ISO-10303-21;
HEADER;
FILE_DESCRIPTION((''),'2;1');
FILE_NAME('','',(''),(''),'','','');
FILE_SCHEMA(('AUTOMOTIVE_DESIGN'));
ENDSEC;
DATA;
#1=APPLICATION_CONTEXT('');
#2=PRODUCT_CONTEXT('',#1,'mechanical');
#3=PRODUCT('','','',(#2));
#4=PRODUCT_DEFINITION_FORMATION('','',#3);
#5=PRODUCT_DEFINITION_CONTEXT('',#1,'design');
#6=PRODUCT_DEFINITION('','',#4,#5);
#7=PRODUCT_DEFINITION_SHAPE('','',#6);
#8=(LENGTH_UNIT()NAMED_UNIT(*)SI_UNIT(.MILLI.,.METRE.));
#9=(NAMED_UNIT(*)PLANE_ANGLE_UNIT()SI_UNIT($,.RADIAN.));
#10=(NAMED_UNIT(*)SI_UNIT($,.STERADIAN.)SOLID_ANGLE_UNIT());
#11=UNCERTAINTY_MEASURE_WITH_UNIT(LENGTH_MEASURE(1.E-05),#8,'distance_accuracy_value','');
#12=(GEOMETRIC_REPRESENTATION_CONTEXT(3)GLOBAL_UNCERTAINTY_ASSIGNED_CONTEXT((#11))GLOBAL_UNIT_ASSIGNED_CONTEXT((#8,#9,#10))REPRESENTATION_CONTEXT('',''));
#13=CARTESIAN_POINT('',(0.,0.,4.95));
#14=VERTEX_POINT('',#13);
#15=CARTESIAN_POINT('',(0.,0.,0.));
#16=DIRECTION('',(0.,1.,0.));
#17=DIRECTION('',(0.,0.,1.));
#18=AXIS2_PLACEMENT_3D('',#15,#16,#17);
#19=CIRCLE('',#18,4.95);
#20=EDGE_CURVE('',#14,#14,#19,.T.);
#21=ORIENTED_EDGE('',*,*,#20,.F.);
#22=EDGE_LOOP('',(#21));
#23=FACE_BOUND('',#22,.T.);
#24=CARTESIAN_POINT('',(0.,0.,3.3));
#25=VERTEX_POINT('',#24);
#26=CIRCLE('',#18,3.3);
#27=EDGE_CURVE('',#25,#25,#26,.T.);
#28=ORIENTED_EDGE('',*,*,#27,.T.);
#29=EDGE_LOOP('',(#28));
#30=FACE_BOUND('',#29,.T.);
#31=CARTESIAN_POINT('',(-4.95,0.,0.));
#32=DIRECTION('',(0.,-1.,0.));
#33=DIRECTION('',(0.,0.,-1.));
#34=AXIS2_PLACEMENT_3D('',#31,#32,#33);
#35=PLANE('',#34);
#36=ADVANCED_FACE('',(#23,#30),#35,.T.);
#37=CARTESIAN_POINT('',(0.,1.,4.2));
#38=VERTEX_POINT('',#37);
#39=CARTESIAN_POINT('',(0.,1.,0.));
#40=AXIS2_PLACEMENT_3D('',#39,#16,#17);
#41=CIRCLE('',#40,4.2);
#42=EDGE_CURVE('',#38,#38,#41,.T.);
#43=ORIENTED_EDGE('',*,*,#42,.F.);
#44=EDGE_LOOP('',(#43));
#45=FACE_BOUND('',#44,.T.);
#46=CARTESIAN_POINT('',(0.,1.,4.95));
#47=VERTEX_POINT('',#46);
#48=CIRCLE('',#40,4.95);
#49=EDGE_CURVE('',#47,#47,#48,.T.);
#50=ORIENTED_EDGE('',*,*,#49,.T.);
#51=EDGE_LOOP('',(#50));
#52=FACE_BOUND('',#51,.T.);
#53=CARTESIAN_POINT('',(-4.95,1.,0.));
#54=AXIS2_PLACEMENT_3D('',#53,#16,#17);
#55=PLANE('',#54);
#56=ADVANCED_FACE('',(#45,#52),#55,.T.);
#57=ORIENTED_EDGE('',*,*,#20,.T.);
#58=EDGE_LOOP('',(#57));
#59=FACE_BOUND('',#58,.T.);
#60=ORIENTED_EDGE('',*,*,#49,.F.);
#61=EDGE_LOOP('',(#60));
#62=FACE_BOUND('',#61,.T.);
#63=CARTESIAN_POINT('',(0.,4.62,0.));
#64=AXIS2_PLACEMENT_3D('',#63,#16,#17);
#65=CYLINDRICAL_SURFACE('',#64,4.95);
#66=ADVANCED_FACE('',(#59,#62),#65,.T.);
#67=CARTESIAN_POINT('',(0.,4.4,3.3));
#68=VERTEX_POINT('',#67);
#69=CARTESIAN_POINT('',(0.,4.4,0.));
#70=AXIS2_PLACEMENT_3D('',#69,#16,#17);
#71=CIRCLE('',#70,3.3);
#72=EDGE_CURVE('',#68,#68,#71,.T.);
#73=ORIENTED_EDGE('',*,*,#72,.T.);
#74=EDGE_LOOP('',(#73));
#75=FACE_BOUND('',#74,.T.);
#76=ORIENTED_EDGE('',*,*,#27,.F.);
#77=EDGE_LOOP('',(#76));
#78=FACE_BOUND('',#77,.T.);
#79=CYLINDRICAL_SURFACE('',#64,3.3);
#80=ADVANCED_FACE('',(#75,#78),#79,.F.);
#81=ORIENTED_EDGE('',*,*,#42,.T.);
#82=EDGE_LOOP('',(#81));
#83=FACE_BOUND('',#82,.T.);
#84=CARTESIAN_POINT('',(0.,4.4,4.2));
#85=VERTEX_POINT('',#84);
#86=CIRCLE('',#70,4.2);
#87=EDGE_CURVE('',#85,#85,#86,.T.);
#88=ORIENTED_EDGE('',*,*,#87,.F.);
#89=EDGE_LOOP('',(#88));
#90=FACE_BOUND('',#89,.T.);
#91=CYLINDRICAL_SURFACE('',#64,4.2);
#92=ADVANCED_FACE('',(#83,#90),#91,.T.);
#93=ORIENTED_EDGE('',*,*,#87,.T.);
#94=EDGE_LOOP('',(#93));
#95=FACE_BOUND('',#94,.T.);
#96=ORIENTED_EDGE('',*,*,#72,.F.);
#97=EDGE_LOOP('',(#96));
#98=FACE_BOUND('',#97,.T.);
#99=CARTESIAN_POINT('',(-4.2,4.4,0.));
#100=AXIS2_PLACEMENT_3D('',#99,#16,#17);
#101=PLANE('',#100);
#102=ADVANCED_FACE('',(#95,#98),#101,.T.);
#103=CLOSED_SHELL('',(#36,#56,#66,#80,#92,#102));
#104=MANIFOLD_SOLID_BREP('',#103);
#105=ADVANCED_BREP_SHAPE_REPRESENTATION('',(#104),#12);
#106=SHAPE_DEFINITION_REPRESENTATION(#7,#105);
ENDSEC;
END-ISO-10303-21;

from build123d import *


with BuildPart() as part:
    # Sketch1 → Revolve1 (revolve)
    with BuildSketch(Plane.XY):
        Polygon((-4.95, 0), (-3.3, 0), (-3.3, 4.4), (-4.2, 4.4), (-4.2, 1), (-4.95, 1), align=None)
    revolve(axis=Axis((0, 4.62, 0), (0, -1, 0)))


solid = part.part
